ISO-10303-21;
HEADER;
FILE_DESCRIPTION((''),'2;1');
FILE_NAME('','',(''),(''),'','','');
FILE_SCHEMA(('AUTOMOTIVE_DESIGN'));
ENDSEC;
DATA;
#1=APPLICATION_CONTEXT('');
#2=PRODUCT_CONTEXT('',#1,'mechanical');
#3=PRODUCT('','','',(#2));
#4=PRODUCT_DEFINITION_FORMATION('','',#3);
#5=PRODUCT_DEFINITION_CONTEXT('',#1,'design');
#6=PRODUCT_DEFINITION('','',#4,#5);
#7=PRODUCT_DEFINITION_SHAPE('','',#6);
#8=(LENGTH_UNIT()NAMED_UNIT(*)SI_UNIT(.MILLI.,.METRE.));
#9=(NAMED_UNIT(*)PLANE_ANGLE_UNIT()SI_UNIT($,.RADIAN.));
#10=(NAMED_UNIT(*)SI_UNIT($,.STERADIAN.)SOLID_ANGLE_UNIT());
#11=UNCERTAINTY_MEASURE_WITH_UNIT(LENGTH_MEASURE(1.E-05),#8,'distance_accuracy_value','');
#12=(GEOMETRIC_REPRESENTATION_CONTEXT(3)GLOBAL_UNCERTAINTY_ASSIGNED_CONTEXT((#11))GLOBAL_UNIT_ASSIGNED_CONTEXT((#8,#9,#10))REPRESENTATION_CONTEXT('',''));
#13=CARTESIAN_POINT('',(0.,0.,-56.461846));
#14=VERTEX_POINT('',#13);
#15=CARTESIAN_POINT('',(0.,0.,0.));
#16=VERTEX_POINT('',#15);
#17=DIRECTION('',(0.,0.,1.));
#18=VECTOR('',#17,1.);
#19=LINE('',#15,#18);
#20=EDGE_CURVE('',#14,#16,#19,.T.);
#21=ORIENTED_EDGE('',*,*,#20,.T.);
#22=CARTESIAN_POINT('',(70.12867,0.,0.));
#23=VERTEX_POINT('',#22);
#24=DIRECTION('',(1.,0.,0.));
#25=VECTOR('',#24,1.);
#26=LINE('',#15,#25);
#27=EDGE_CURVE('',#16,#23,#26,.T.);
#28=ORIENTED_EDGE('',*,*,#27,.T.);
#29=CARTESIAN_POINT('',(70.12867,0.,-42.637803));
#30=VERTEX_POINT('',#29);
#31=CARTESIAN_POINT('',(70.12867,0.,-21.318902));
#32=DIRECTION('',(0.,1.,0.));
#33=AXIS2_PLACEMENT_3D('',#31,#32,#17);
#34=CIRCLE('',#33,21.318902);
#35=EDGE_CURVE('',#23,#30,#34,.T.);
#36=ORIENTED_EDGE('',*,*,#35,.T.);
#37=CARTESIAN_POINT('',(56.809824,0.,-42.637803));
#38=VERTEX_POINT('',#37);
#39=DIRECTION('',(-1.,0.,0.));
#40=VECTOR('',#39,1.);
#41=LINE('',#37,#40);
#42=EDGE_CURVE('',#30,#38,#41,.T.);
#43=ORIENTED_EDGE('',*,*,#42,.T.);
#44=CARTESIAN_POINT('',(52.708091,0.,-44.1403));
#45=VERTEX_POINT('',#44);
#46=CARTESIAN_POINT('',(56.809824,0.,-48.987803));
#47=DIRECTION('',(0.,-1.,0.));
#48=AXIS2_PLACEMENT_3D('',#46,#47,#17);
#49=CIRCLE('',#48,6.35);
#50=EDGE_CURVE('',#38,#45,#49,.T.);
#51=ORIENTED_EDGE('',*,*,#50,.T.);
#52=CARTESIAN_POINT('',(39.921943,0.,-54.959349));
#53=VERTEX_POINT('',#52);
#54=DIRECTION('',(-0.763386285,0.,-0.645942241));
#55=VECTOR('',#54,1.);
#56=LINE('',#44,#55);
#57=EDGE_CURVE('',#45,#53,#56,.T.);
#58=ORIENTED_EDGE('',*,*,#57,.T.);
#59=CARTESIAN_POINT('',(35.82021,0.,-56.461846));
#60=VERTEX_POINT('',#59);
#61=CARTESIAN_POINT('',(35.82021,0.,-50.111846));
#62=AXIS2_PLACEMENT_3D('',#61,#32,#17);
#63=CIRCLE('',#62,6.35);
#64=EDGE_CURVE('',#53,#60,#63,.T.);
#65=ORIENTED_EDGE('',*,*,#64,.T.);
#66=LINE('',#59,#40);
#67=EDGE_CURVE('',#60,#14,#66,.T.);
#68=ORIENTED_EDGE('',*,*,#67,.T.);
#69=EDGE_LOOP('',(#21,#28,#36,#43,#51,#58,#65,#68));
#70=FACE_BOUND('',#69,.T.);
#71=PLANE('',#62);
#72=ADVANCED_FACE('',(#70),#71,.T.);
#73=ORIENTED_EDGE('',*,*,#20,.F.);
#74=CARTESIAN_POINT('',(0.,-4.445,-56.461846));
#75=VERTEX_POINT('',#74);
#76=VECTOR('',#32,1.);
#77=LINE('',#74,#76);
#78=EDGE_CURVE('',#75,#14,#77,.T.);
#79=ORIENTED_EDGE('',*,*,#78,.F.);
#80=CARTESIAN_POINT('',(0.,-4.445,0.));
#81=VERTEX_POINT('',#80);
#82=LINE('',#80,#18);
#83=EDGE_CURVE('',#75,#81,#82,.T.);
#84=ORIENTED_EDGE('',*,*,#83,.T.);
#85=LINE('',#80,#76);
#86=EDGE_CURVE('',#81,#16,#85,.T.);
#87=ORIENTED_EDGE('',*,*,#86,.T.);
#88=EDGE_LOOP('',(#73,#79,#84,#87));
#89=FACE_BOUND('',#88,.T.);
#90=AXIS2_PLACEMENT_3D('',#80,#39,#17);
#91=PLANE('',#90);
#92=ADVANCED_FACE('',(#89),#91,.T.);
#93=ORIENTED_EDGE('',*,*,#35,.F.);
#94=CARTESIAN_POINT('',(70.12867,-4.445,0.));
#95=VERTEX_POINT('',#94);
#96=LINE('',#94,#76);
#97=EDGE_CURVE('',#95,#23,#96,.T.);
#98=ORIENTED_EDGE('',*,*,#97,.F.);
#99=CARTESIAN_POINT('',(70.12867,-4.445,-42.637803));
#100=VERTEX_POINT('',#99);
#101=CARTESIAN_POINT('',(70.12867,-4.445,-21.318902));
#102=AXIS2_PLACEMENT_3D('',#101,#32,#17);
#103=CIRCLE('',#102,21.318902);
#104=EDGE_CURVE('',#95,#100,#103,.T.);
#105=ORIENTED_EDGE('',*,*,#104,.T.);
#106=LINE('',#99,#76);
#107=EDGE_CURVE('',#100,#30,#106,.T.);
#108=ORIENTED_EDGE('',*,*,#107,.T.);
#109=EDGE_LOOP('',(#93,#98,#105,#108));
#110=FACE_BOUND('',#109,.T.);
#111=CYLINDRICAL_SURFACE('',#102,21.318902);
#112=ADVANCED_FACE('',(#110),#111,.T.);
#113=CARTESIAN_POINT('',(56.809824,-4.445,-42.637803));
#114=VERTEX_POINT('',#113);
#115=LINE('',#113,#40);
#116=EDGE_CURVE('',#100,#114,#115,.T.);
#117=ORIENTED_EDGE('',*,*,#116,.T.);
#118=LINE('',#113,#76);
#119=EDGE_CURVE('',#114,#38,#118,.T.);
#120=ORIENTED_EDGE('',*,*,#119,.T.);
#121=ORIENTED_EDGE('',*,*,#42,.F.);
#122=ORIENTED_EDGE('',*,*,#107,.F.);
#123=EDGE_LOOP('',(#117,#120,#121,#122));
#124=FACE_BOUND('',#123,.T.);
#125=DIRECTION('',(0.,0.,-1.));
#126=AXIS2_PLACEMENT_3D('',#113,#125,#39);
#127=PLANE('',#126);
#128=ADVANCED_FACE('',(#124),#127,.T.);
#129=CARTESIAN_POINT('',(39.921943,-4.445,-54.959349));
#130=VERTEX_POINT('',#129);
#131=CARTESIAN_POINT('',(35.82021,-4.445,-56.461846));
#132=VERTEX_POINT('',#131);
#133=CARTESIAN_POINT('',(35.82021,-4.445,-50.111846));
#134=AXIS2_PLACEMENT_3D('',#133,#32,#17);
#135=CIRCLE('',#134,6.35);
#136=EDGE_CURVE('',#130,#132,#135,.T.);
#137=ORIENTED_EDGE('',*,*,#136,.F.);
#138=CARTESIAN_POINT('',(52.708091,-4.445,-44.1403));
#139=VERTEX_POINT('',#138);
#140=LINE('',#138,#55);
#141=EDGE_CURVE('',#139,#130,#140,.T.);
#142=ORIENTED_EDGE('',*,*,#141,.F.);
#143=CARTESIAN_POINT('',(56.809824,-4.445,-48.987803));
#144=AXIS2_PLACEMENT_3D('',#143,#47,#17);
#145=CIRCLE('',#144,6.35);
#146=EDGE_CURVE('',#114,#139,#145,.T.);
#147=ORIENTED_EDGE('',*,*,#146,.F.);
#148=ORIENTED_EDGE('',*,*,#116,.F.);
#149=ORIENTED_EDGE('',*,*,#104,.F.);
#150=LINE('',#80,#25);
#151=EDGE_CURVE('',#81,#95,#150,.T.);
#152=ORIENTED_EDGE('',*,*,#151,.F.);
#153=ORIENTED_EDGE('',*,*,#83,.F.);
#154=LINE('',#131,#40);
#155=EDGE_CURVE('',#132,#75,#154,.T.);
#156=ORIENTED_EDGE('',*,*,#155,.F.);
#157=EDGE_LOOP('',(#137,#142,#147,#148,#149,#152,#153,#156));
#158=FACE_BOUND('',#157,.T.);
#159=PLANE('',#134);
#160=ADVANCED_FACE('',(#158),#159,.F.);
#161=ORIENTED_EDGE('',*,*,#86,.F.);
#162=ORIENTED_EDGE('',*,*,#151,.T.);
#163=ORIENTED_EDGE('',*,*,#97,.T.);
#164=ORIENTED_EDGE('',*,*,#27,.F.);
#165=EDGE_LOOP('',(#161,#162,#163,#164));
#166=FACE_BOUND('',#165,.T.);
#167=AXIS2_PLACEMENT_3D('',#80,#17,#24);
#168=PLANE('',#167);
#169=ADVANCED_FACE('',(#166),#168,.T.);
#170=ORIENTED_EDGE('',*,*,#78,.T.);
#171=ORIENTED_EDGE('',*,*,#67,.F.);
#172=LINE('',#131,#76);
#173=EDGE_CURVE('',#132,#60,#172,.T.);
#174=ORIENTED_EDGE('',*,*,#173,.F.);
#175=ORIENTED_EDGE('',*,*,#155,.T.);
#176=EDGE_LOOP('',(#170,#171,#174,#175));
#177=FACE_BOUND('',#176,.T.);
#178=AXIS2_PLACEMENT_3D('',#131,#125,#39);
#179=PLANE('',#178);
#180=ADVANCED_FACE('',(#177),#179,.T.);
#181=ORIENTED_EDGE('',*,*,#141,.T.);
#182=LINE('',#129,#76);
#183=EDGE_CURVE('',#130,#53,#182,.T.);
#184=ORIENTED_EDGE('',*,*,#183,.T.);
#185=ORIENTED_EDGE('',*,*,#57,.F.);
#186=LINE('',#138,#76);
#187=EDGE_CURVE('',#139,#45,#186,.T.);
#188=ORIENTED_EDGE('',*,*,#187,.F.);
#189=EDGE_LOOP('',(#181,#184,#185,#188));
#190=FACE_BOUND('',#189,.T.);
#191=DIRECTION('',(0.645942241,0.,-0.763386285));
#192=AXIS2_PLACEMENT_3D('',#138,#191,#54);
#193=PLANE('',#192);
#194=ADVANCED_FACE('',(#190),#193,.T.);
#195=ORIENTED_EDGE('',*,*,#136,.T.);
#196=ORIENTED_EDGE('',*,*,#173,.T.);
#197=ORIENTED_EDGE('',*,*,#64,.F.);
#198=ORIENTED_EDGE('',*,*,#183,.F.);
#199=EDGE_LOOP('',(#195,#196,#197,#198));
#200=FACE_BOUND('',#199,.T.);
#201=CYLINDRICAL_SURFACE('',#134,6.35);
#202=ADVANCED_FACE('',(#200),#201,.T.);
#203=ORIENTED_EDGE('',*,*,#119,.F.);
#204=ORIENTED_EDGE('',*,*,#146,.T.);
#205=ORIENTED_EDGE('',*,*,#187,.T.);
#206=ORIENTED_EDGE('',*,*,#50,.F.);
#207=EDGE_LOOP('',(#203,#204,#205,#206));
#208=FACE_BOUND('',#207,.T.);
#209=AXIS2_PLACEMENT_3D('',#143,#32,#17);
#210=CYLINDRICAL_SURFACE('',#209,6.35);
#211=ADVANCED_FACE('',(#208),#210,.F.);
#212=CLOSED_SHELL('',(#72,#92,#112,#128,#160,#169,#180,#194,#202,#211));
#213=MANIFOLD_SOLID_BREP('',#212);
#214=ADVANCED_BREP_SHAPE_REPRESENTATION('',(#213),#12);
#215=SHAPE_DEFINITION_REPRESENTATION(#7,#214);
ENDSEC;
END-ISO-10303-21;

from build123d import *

# Parameters (mm, degrees)
EXTRUDE2_DEPTH = 4.445


with BuildPart() as part:
    # Sketch1 → Extrude2 (new body)
    with BuildSketch(Plane(origin=(0, 0, 0), x_dir=(1, 0, 0), z_dir=(0, 1, 0))):
        with BuildLine():
            Line((0, 0), (70.128669853, 0))
            ThreePointArc((70.128669853, 0), (91.447571558, 21.318901704), (70.128669853, 42.637803409))
            Line((70.128669853, 42.637803409), (56.809824029, 42.637803409))
            ThreePointArc((56.809824029, 42.637803409), (54.625693022, 43.025247602), (52.708090795, 44.140300497))
            Line((52.708090795, 44.140300497), (39.921942966, 54.95934866))
            ThreePointArc((39.921942966, 54.95934866), (38.004340739, 56.074401554), (35.820209733, 56.461845748))
            Line((35.820209733, 56.461845748), (0, 56.461845748))
            Line((0, 56.461845748), (0, 0))
        make_face()
    extrude(amount=-EXTRUDE2_DEPTH)


solid = part.part
